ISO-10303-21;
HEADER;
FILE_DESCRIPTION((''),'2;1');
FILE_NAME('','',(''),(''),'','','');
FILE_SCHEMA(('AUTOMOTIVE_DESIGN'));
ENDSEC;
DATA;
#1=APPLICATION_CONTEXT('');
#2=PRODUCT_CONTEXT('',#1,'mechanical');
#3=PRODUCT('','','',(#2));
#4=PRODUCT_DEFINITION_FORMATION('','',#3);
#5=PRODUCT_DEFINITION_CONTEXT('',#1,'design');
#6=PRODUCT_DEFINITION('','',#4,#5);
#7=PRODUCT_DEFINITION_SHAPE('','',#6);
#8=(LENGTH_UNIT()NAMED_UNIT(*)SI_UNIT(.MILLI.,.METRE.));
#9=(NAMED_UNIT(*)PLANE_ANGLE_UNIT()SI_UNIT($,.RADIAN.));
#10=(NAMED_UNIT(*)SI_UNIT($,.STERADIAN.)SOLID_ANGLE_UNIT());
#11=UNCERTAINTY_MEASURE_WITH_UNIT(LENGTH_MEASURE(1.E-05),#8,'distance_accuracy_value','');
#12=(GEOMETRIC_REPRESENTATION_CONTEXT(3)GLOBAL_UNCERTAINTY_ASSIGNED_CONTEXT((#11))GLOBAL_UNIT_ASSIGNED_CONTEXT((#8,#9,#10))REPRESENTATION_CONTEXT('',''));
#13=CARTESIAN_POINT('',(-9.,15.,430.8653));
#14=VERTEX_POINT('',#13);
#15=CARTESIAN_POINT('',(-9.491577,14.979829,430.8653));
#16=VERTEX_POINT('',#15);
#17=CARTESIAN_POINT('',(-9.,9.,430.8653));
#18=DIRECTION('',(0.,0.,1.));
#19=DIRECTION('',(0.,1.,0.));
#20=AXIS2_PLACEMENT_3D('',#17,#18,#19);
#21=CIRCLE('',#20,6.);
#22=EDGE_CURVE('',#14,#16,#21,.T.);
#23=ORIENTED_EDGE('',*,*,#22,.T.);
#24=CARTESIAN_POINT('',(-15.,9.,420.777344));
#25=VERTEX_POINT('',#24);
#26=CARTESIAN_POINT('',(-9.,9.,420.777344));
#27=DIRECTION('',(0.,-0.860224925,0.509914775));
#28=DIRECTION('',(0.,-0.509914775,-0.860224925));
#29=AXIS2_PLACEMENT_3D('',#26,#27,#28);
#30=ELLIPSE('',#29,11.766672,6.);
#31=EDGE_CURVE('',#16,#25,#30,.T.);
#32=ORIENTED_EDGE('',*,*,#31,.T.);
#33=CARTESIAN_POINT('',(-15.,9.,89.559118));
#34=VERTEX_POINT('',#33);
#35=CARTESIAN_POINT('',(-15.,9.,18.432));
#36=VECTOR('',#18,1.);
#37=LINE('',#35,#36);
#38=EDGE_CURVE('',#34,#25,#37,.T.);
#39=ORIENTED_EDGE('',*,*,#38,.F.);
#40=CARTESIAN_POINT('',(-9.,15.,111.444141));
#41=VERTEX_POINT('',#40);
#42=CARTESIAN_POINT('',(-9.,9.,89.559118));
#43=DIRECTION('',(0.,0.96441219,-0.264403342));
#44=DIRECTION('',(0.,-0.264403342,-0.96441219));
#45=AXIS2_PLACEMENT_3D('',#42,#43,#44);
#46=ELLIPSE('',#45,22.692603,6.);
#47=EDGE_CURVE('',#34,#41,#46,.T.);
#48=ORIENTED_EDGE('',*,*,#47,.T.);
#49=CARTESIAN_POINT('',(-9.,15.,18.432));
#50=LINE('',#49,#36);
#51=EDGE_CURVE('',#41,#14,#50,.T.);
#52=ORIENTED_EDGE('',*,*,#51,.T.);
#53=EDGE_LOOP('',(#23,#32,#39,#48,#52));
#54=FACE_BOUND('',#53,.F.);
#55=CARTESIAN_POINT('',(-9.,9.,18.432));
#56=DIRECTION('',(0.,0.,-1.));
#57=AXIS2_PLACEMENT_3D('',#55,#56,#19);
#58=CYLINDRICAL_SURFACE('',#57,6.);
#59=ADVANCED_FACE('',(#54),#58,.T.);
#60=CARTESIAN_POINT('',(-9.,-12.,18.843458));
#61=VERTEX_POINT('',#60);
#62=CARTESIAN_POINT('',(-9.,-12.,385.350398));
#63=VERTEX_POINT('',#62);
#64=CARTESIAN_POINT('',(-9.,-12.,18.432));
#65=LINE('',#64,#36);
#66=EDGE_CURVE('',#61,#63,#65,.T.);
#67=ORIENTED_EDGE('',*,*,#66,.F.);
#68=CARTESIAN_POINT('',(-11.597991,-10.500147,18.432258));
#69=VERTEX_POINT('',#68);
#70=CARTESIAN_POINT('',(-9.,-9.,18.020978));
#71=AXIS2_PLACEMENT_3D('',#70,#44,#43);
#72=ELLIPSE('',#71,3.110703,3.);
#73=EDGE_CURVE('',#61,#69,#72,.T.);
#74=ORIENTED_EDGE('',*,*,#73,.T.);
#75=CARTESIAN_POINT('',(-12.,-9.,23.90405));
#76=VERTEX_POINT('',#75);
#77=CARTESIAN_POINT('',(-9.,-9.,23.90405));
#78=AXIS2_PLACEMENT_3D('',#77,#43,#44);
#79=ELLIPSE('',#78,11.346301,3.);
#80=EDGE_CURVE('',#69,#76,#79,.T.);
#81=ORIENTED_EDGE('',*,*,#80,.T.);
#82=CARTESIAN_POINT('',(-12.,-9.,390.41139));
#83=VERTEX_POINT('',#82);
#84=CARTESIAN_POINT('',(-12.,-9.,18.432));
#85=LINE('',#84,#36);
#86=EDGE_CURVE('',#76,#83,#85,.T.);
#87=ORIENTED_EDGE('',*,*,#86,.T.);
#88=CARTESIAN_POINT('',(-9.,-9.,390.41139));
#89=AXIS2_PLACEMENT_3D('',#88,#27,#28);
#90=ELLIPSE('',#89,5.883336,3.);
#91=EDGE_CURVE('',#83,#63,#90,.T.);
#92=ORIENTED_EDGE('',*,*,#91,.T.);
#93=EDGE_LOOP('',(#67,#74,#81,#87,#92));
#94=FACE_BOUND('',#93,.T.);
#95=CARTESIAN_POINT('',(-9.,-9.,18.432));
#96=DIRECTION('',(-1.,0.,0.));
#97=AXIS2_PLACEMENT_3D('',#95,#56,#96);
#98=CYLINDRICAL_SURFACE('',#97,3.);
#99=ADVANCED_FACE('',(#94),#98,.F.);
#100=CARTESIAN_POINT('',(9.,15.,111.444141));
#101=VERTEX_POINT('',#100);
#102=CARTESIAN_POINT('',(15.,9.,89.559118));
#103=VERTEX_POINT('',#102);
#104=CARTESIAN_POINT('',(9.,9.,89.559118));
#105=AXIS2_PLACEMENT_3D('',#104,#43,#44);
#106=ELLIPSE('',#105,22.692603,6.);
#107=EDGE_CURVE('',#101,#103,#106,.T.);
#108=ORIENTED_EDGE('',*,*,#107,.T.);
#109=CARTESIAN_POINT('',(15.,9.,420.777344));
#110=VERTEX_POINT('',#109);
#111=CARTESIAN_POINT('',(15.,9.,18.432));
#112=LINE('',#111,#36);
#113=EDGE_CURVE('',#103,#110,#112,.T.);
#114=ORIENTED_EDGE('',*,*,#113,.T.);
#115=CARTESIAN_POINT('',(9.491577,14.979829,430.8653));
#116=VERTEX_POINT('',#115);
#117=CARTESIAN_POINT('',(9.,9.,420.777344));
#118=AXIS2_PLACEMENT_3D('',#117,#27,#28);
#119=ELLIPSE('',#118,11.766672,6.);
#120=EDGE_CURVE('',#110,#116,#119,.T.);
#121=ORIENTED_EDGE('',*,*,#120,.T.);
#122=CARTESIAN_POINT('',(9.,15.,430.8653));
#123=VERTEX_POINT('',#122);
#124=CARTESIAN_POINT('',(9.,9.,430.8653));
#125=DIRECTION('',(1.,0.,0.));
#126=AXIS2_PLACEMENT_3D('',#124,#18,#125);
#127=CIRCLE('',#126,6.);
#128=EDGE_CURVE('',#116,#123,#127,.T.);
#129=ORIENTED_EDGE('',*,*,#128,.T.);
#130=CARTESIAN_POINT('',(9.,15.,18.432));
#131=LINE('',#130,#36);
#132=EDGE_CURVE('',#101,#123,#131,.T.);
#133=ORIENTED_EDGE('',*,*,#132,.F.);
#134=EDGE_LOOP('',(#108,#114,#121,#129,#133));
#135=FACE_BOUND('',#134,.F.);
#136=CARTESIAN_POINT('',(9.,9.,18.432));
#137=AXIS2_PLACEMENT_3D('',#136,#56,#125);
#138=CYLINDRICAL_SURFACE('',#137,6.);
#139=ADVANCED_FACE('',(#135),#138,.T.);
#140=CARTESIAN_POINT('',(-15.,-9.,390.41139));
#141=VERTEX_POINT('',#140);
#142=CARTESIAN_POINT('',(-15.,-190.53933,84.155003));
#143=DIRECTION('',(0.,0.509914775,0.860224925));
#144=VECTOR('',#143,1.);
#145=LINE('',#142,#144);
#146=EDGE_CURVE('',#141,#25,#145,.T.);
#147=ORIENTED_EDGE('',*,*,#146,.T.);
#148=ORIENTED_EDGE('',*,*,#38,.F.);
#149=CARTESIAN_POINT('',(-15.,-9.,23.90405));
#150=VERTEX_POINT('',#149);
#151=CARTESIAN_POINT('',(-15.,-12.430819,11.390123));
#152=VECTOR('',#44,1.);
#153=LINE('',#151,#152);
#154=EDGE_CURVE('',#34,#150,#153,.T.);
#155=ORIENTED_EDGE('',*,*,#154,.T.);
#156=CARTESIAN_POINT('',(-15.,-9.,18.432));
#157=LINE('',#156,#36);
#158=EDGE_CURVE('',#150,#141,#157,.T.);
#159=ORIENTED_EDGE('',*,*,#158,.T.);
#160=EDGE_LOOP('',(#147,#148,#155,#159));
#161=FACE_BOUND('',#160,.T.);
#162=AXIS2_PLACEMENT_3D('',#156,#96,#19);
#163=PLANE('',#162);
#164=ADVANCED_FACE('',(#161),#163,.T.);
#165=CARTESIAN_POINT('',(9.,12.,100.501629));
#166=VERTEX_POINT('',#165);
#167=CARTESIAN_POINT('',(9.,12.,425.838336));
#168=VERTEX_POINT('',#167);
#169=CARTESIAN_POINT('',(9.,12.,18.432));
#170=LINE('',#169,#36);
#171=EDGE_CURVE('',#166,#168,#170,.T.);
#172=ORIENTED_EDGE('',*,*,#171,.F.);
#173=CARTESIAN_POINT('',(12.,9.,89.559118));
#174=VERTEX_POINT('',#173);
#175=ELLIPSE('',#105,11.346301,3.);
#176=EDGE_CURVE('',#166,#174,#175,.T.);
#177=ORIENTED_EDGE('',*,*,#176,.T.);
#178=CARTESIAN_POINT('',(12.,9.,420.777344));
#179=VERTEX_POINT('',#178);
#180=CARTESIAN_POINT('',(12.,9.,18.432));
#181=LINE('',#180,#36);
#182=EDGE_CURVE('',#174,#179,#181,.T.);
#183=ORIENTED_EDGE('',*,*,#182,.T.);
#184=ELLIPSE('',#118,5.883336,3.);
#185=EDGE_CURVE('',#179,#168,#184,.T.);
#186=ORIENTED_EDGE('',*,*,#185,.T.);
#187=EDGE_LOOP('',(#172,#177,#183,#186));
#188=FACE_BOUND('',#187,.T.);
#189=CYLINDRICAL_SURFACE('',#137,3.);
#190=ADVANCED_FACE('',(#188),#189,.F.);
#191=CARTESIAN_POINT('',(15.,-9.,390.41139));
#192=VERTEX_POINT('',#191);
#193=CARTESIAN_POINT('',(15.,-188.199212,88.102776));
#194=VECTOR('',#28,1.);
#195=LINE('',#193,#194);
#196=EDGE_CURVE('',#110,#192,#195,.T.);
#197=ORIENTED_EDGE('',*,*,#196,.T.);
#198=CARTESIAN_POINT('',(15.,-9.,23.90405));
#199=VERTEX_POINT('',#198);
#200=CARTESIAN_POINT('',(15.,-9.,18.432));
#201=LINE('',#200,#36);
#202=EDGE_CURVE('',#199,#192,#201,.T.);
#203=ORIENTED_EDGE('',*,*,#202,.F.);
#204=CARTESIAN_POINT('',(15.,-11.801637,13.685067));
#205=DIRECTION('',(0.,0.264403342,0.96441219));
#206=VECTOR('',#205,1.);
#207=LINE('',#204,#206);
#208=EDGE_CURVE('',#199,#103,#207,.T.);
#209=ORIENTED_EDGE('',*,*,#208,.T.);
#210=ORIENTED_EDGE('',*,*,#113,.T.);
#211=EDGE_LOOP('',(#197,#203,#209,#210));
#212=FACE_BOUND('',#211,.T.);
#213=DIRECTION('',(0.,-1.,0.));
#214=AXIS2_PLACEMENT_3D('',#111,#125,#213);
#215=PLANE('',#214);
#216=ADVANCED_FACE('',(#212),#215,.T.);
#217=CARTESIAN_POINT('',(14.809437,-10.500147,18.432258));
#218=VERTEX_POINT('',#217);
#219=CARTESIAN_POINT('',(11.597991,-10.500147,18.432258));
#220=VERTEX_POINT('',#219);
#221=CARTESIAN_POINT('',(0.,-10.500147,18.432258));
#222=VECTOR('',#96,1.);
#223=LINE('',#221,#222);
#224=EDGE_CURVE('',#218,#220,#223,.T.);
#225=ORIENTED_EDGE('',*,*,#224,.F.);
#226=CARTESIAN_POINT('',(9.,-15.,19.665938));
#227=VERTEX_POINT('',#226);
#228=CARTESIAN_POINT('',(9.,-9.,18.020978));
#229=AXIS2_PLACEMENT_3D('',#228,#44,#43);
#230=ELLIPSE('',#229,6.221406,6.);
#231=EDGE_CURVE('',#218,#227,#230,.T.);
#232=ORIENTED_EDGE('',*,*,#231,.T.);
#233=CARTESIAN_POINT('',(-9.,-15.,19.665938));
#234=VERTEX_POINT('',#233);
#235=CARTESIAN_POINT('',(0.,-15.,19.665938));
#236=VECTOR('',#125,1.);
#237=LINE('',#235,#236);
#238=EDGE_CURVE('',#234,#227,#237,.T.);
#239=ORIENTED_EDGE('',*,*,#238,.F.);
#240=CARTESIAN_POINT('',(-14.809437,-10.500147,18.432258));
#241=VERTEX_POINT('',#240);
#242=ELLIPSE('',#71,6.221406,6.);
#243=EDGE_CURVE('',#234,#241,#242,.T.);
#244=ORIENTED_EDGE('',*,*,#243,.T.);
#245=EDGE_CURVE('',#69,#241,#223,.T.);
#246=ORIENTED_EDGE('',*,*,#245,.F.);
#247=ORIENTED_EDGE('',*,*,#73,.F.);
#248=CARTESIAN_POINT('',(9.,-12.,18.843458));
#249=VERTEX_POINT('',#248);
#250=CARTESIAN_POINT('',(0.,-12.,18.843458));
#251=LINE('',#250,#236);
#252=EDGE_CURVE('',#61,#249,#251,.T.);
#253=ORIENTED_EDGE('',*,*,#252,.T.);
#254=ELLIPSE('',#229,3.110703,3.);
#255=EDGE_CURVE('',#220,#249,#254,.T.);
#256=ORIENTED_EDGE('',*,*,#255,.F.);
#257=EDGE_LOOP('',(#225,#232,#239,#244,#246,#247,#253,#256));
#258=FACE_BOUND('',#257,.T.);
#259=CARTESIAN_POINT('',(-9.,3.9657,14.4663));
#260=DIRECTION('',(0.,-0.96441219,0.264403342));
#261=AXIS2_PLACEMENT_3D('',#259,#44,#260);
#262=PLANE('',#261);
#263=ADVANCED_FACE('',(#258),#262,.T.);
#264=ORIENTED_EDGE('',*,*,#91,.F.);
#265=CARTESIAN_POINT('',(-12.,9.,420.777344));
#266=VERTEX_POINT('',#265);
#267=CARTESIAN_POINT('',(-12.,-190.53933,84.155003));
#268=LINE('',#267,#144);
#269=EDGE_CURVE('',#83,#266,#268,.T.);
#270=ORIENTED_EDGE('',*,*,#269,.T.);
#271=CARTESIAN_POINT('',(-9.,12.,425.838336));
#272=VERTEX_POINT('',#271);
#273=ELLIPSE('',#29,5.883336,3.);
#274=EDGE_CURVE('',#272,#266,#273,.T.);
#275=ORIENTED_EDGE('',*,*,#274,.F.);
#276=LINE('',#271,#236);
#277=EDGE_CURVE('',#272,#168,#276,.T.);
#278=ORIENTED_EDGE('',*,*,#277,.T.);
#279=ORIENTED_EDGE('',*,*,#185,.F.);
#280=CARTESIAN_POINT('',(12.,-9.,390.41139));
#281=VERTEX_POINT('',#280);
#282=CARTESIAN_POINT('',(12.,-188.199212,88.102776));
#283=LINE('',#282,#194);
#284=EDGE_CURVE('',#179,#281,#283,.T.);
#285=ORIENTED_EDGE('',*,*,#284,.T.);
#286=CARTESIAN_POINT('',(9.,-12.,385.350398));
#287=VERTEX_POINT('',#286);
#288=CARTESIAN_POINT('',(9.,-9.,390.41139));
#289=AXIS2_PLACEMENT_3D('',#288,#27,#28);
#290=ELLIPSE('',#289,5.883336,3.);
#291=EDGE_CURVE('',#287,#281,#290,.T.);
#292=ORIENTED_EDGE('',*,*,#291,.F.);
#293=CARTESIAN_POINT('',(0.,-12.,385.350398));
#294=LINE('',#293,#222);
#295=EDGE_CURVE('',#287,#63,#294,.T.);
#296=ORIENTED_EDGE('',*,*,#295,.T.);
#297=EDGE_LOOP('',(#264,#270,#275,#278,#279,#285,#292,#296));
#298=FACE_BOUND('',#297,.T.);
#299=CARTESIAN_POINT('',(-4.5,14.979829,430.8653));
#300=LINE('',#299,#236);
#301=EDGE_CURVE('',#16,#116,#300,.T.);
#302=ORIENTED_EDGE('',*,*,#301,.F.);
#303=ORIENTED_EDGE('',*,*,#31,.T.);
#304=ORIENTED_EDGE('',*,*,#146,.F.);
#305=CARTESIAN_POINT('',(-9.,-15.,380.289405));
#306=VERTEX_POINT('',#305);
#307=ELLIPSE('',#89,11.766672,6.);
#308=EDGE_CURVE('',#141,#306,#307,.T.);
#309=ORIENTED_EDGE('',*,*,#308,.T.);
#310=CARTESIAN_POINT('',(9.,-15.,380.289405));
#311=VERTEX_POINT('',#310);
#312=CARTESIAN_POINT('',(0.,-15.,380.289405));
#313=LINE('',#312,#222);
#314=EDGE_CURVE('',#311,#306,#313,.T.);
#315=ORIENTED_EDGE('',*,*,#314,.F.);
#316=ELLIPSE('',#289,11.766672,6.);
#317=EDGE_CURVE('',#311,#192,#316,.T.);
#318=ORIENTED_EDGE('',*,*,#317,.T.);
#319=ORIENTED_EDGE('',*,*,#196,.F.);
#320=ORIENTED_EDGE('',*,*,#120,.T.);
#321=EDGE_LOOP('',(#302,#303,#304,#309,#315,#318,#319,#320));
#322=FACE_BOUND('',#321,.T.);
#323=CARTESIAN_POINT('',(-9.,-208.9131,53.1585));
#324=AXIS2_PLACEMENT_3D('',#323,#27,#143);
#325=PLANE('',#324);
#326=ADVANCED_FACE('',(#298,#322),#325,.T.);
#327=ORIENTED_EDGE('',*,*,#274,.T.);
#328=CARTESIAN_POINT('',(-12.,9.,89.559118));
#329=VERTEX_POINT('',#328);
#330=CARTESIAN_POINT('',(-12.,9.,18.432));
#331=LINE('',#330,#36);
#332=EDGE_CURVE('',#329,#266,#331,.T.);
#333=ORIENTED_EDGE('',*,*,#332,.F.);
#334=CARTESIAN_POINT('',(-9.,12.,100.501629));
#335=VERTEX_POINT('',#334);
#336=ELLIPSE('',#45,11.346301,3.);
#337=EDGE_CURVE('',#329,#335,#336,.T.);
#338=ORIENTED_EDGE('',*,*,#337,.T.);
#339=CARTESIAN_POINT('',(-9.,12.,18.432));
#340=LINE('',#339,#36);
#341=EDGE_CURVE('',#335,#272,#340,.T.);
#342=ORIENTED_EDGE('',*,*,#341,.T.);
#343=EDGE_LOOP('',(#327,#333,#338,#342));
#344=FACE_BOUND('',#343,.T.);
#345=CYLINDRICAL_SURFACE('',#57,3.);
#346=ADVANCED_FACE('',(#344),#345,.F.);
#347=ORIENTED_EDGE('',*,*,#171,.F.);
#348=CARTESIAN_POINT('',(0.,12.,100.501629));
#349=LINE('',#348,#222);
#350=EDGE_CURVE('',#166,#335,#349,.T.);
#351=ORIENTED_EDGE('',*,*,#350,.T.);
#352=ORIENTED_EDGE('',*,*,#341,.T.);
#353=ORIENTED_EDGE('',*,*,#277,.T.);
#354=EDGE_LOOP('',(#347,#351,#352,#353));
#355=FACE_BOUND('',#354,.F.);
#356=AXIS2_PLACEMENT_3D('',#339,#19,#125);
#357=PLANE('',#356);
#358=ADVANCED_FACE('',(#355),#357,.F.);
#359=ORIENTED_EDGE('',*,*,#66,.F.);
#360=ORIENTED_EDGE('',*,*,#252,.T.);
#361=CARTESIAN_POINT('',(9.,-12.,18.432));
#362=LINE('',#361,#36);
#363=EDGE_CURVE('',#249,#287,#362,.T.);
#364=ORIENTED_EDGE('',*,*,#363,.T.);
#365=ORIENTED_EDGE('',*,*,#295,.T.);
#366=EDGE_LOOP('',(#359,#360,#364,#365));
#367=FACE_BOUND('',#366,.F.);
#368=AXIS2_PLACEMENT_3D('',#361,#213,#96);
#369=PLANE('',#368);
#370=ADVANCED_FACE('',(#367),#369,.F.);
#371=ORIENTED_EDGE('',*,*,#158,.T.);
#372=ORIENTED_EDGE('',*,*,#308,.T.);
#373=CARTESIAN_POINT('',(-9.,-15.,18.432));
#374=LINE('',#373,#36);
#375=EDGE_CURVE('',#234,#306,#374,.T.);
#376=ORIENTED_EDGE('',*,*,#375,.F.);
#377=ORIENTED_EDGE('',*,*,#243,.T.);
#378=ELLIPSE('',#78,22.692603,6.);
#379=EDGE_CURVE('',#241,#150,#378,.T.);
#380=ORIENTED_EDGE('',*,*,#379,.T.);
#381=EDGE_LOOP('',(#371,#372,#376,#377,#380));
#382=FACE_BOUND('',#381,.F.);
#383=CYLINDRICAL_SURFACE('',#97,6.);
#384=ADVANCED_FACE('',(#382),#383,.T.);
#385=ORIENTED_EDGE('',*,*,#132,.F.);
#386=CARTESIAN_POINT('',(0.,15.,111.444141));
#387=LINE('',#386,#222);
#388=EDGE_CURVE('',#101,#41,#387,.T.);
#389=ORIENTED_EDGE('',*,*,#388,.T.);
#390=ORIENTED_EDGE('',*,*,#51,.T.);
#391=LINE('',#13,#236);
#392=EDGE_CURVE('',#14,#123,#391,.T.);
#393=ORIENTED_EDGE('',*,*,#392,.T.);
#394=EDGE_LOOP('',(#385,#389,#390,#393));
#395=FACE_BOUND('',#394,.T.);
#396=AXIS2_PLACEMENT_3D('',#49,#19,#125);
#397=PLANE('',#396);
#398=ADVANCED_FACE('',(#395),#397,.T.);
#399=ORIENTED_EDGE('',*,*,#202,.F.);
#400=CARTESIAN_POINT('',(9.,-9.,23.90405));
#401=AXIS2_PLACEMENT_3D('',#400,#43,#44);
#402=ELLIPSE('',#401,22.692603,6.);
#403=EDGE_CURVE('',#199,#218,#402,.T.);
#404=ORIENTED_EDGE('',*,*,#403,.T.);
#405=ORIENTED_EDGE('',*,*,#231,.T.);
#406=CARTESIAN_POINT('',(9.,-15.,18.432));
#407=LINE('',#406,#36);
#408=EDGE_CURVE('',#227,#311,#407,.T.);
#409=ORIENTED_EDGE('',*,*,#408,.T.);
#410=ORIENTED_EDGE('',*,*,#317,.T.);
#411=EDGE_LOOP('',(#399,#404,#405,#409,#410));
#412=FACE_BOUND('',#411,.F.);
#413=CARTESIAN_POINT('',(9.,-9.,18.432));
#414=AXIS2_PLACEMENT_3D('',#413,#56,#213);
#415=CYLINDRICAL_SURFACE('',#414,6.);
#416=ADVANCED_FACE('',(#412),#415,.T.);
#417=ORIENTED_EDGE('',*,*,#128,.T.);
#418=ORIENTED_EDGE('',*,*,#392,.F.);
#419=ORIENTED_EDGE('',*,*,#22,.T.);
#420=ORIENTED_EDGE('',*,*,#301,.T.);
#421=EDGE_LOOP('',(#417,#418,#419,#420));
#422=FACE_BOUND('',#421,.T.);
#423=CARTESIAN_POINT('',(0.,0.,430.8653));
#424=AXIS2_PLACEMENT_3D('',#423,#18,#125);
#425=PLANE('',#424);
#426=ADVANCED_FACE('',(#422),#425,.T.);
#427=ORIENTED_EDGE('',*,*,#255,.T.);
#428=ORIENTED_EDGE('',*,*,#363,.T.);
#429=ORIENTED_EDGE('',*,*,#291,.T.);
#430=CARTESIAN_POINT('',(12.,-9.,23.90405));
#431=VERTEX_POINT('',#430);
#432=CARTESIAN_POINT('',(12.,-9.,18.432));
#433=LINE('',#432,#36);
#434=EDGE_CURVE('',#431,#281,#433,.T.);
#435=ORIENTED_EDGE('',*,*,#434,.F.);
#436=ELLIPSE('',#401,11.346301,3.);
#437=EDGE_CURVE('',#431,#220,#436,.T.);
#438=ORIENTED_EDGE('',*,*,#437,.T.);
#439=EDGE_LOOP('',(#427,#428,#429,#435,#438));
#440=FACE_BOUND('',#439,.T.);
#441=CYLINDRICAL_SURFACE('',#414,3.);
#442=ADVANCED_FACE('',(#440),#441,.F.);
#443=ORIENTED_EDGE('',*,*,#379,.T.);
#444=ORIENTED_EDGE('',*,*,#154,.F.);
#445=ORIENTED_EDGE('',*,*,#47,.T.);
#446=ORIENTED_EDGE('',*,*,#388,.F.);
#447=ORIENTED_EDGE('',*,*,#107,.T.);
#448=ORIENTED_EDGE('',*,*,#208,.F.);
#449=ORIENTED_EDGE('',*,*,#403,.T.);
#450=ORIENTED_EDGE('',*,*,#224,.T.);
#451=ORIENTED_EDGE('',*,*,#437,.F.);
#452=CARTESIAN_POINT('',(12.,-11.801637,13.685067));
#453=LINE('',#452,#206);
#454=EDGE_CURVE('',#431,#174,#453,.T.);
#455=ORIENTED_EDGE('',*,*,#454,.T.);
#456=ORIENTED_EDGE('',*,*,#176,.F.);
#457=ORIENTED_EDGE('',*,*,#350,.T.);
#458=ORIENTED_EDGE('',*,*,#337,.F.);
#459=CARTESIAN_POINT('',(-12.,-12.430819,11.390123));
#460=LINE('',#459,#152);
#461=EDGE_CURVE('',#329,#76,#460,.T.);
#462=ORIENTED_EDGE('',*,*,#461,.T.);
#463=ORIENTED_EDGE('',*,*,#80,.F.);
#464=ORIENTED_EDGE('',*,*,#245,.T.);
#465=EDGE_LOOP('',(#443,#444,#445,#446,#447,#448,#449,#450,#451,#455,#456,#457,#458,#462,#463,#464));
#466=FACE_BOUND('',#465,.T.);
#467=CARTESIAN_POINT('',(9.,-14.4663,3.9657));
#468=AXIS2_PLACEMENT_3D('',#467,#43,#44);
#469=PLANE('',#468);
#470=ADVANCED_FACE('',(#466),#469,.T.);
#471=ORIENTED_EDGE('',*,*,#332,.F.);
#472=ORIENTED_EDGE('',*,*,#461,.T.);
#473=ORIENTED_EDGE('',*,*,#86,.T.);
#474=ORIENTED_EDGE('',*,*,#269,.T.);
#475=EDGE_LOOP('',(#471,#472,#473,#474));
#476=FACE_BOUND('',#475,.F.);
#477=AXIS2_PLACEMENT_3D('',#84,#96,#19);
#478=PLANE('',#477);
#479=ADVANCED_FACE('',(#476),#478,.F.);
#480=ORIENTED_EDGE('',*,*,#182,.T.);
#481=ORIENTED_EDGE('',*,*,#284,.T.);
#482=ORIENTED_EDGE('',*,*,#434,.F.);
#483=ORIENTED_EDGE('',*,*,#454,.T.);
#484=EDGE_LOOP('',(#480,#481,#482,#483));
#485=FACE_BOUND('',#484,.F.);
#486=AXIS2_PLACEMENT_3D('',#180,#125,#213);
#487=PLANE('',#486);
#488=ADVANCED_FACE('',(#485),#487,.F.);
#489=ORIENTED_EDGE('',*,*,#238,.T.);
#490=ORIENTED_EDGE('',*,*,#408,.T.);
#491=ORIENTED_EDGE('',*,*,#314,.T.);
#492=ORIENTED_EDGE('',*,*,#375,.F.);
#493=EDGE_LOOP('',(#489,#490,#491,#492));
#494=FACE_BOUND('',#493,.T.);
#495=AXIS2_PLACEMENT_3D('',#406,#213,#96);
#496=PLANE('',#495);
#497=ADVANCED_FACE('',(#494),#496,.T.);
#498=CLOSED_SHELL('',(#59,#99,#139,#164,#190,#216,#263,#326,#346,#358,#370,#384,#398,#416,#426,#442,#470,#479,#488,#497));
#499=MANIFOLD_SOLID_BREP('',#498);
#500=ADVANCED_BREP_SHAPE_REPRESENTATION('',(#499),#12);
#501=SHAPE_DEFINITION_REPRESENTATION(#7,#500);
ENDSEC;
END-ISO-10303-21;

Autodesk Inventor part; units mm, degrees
ref_plane "Start Plane" through (0, 0, 18.432) normal (0, 0, 1) x (1, 0, 0)
ref_plane "End Plane" through (0, 0, 430.8653) normal (0, 0, 1) x (1, 0, 0)
sketch "Sketch" plane through (0, 0, 0) normal (0, 0, 1) x (1, 0, 0)
  line L0 (-15, -9) -> (-15, 9)
  line L1 (-9, 15) -> (9, 15)
  line L2 (15, 9) -> (15, -9)
  line L3 (9, -15) -> (-9, -15)
  arc A0 (-15, -9) -> (-9, -15) centre (-9, -9) ccw
  arc A1 (-9, 15) -> (-15, 9) centre (-9, 9) ccw
  arc A2 (15, 9) -> (9, 15) centre (9, 9) ccw
  arc A3 (9, -15) -> (15, -9) centre (9, -9) ccw
  arc A4 (-9, 12) -> (-12, 9) centre (-9, 9) ccw
  line L4 (-9, 12) -> (9, 12)
  arc A5 (12, 9) -> (9, 12) centre (9, 9) ccw
  line L5 (12, 9) -> (12, -9)
  arc A6 (9, -12) -> (12, -9) centre (9, -9) ccw
  line L6 (9, -12) -> (-9, -12)
  arc A7 (-12, -9) -> (-9, -12) centre (-9, -9) ccw
  line L7 (-12, -9) -> (-12, 9)
  line L8 (0, 22.7397) -> (0, -22.7397) construction
  line L9 (-22.7397, 0) -> (22.7397, 0) construction
  dimension "d7" = 6
  dimension "d10" = 30
  dimension "d11" = 30
  dimension "d12" = 3
  dimension "d15" = 15
  dimension "d16" = 15
extrude "Body" add sketch "Sketch" along normal up to surface (412.4333 mm away) from surface at 18.432
sketch "Sketch3" plane through (0, 0, 0) normal (0, 0, 1) x (1, 0, 0)
  line L0 (0, 0) -> (10, 0)
ref_plane "Work Plane3" through (0, 0, 0) normal (0, -1, 0) x (1, 0, 0)
ref_plane "Work Plane4" through (9, -14.4663, 3.9657) normal (0, 0.9644, -0.2644) x (1, 0, 0)
split "Split1" plane through (9, -14.4663, 3.9657) removes the side toward (0, 0.9644, -0.2644)
ref_plane "Work Plane5" through (-9, 3.9657, 14.4663) normal (0, -0.2644, -0.9644) x (1, 0, 0)
split "Split2" plane through (-9, 3.9657, 14.4663) removes the side toward (0, -0.2644, -0.9644)
ref_plane "Work Plane6" through (-9, -208.9131, 53.1585) normal (0, -0.8602, 0.5099) x (1, 0, 0)
split "Split3" plane through (-9, -208.9131, 53.1585) removes the side toward (0, -0.8602, 0.5099)
sketch "Sketch4" plane through (0, 0, 0) normal (0, -1, 0) x (1, 0, 0)
  line L0 (-2, 18.432) -> (12, 18.432) projected
  line L1 (-2, 430.8653) -> (12, 430.8653) projected
  dimension "d18" = 412.4333
equation "\"d7\" = G_IR"
equation "\"d10\" = G_H"
equation "\"d11\" = G_W"
equation "\"d12\" = G_T"
equation "\"d15\" = 0.5 * d10"
equation "\"d16\" = 0.5 * d11"
equation "\"d3\" = G_L"
equation "\"G_W\" = 30"
equation "\"G_H\" = 30"
equation "\"G_T\" = 3"
equation "\"G_IR\" = 6"
equation "\"G_L\" = d18"
equation "\"G_OFFSET_START\" = -18.432"
equation "\"G_OFFSET_END\" = -4.11204"
equation "\"d13\" = -G_OFFSET_START"
equation "\"d14\" = G_OFFSET_END + B_L"
equation "\"B_L\" = 434.9773"
properties part number "DIN EN 10219-2 - 30 x 30 x 3  - 412.43" material "Steel, Mild"
